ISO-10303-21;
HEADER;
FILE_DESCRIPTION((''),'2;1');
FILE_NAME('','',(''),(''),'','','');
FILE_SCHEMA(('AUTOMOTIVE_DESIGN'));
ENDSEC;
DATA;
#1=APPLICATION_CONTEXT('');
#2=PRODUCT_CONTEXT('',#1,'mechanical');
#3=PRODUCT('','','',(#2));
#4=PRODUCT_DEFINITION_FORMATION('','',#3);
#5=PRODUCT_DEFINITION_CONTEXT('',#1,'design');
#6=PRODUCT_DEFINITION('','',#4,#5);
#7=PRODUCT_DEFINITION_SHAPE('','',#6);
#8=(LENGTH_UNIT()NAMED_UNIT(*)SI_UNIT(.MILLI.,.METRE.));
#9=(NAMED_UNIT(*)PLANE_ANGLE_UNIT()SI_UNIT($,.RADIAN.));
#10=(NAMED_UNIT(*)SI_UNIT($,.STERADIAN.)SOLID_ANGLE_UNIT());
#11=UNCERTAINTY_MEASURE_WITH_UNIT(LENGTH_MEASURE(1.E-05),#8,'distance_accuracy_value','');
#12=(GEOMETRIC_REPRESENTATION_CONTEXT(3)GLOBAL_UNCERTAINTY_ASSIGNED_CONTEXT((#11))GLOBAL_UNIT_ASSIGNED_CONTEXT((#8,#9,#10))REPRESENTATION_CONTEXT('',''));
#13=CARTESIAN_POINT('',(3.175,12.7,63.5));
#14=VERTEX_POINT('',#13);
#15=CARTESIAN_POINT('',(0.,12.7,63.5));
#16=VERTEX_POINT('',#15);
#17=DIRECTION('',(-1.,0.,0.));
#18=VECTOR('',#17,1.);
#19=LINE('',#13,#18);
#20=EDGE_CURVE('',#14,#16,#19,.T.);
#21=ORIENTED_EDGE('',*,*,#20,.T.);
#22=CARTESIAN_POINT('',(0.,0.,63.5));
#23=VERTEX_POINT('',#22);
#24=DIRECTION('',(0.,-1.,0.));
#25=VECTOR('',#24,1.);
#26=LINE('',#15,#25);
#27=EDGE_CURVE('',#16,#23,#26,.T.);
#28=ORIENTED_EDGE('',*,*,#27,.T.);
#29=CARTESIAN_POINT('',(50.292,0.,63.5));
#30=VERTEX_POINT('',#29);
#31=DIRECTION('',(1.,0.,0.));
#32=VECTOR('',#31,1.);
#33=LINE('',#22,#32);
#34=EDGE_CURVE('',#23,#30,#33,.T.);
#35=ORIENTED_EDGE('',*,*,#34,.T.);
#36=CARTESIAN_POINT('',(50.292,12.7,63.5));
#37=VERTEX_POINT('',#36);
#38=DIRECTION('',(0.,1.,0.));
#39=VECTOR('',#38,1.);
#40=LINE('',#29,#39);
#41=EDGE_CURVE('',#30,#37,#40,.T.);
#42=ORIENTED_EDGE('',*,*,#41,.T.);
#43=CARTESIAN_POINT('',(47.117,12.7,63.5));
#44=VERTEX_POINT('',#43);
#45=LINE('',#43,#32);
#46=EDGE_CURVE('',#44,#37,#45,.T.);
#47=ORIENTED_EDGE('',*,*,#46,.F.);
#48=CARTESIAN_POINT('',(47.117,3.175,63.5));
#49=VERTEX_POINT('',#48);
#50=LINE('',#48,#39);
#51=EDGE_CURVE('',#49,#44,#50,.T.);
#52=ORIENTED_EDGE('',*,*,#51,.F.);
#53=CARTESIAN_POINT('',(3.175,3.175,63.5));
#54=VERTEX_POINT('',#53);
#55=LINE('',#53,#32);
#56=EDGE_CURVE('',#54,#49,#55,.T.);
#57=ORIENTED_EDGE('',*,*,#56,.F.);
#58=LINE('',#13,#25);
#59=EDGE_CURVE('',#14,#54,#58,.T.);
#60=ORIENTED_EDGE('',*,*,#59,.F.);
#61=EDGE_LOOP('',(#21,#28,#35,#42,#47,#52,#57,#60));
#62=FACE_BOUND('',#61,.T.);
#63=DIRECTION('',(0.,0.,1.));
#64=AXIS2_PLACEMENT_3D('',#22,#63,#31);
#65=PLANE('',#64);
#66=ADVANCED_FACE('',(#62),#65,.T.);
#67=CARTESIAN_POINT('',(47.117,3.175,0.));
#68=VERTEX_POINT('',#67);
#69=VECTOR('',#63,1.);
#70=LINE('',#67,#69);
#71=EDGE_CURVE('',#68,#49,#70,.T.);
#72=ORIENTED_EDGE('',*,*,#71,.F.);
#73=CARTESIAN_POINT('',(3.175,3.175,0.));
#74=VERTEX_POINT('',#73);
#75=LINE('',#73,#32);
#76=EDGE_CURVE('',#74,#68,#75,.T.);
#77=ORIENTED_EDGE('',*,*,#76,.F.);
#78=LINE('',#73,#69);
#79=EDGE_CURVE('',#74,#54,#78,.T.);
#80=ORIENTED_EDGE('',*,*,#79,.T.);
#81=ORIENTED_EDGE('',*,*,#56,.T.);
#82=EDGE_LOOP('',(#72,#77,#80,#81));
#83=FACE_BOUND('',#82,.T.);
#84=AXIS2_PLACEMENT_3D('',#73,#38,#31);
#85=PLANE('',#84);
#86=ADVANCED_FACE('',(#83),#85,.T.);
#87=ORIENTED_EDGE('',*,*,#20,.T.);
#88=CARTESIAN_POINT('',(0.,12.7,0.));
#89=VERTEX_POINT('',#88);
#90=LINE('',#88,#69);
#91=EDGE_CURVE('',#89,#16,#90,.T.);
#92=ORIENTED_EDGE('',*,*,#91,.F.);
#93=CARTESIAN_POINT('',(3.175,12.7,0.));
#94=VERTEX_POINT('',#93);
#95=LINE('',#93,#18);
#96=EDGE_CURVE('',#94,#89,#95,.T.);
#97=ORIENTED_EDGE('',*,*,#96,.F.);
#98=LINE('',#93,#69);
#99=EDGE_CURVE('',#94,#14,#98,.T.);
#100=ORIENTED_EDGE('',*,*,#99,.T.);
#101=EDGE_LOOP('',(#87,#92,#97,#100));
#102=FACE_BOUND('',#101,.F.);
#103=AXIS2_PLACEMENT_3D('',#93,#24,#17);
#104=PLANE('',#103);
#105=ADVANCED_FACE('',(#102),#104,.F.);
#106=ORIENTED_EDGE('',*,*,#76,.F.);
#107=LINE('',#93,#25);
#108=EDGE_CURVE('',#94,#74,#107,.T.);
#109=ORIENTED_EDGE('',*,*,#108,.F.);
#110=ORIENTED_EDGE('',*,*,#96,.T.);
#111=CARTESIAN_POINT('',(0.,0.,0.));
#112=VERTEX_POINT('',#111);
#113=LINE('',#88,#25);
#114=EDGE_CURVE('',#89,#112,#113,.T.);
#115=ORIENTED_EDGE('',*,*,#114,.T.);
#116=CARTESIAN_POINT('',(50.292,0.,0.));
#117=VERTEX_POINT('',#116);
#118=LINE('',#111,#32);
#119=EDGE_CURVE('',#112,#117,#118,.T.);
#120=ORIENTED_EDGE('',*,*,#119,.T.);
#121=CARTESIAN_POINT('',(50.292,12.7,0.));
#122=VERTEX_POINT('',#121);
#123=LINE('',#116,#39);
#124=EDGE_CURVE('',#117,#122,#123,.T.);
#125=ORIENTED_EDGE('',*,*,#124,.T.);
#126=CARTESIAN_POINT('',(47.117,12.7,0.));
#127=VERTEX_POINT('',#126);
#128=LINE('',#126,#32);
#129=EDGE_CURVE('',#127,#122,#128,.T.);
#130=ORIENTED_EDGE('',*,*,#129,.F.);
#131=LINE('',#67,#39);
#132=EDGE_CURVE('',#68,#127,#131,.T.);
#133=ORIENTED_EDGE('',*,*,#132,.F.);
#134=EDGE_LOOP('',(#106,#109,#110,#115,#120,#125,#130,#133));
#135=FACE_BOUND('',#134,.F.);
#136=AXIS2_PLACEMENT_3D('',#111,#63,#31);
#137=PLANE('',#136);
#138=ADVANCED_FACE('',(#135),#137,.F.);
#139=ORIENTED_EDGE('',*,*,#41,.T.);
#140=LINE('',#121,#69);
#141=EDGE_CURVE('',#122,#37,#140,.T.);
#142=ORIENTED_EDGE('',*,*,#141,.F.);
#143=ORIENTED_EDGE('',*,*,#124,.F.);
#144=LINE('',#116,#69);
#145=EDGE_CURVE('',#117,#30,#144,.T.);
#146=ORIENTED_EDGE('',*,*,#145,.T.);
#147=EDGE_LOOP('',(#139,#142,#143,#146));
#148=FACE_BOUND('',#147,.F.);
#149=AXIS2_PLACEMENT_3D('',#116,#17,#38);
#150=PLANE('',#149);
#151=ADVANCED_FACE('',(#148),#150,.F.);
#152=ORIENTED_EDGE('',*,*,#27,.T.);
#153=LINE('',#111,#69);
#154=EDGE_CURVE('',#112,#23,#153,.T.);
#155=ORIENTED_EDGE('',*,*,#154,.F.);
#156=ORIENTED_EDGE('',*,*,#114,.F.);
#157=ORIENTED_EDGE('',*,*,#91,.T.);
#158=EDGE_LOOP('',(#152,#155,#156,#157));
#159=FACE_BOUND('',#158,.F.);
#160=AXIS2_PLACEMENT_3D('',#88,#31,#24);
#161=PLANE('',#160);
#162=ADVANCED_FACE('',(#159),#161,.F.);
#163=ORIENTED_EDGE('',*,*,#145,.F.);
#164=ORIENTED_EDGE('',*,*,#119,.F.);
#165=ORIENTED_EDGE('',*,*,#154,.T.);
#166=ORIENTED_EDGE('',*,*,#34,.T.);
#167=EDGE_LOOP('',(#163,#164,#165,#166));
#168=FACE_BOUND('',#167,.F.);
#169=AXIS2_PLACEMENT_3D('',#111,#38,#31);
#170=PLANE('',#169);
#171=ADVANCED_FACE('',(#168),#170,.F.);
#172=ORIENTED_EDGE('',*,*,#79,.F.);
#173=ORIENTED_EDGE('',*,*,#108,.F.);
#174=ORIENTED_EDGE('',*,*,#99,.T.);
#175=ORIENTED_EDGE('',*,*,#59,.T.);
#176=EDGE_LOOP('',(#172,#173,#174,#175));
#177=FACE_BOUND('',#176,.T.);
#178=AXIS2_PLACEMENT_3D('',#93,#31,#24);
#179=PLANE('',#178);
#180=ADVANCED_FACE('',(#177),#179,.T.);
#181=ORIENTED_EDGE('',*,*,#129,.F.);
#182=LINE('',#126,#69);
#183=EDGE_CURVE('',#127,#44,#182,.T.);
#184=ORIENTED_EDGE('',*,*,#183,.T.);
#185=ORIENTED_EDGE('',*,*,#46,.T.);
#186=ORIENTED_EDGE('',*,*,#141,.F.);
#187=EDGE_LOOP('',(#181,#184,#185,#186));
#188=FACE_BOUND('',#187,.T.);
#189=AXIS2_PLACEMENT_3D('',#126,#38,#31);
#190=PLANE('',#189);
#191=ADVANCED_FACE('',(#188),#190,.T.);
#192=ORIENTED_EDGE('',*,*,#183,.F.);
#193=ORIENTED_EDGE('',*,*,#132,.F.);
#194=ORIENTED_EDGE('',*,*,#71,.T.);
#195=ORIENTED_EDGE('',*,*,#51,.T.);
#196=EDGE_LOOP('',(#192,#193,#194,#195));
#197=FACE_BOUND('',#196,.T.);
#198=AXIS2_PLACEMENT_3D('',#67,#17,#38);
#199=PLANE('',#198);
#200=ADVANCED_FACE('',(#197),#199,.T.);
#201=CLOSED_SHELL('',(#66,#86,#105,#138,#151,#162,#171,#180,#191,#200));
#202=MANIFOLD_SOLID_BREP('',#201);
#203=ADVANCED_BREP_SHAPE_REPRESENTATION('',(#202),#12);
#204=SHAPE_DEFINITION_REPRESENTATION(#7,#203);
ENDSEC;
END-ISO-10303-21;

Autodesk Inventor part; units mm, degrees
ref_plane "YZ Plane" through (0, 0, 0) normal (1, 0, 0) x (0, 1, 0)
ref_plane "XZ Plane" through (0, 0, 0) normal (0, 1, 0) x (-1, 0, 0)
ref_plane "XY Plane" through (0, 0, 0) normal (0, 0, 1) x (1, 0, 0)
sketch "Sketch1" plane through (0, 0, 0) normal (0, 0, 1) x (1, 0, 0)
  line L0 (0, 12.7) -> (0, 0)
  line L1 (0, 0) -> (50.292, 0)
  line L2 (50.292, 0) -> (50.292, 12.7)
  line L3 (3.175, 12.7) -> (3.175, 3.175)
  line L4 (3.175, 3.175) -> (47.117, 3.175)
  line L5 (47.117, 3.175) -> (47.117, 12.7)
  line L6 (3.175, 12.7) -> (0, 12.7)
  line L7 (47.117, 12.7) -> (50.292, 12.7)
  dimension "d2" = 50.292
  dimension "d3" = 12.7
  dimension "d4" = 12.7
  dimension "d5" = 3.175
extrude "Extrusion1" add sketch "Sketch1" along normal blind 63.5
equation "\"d4\" = d3"
properties part number "Blocker"
